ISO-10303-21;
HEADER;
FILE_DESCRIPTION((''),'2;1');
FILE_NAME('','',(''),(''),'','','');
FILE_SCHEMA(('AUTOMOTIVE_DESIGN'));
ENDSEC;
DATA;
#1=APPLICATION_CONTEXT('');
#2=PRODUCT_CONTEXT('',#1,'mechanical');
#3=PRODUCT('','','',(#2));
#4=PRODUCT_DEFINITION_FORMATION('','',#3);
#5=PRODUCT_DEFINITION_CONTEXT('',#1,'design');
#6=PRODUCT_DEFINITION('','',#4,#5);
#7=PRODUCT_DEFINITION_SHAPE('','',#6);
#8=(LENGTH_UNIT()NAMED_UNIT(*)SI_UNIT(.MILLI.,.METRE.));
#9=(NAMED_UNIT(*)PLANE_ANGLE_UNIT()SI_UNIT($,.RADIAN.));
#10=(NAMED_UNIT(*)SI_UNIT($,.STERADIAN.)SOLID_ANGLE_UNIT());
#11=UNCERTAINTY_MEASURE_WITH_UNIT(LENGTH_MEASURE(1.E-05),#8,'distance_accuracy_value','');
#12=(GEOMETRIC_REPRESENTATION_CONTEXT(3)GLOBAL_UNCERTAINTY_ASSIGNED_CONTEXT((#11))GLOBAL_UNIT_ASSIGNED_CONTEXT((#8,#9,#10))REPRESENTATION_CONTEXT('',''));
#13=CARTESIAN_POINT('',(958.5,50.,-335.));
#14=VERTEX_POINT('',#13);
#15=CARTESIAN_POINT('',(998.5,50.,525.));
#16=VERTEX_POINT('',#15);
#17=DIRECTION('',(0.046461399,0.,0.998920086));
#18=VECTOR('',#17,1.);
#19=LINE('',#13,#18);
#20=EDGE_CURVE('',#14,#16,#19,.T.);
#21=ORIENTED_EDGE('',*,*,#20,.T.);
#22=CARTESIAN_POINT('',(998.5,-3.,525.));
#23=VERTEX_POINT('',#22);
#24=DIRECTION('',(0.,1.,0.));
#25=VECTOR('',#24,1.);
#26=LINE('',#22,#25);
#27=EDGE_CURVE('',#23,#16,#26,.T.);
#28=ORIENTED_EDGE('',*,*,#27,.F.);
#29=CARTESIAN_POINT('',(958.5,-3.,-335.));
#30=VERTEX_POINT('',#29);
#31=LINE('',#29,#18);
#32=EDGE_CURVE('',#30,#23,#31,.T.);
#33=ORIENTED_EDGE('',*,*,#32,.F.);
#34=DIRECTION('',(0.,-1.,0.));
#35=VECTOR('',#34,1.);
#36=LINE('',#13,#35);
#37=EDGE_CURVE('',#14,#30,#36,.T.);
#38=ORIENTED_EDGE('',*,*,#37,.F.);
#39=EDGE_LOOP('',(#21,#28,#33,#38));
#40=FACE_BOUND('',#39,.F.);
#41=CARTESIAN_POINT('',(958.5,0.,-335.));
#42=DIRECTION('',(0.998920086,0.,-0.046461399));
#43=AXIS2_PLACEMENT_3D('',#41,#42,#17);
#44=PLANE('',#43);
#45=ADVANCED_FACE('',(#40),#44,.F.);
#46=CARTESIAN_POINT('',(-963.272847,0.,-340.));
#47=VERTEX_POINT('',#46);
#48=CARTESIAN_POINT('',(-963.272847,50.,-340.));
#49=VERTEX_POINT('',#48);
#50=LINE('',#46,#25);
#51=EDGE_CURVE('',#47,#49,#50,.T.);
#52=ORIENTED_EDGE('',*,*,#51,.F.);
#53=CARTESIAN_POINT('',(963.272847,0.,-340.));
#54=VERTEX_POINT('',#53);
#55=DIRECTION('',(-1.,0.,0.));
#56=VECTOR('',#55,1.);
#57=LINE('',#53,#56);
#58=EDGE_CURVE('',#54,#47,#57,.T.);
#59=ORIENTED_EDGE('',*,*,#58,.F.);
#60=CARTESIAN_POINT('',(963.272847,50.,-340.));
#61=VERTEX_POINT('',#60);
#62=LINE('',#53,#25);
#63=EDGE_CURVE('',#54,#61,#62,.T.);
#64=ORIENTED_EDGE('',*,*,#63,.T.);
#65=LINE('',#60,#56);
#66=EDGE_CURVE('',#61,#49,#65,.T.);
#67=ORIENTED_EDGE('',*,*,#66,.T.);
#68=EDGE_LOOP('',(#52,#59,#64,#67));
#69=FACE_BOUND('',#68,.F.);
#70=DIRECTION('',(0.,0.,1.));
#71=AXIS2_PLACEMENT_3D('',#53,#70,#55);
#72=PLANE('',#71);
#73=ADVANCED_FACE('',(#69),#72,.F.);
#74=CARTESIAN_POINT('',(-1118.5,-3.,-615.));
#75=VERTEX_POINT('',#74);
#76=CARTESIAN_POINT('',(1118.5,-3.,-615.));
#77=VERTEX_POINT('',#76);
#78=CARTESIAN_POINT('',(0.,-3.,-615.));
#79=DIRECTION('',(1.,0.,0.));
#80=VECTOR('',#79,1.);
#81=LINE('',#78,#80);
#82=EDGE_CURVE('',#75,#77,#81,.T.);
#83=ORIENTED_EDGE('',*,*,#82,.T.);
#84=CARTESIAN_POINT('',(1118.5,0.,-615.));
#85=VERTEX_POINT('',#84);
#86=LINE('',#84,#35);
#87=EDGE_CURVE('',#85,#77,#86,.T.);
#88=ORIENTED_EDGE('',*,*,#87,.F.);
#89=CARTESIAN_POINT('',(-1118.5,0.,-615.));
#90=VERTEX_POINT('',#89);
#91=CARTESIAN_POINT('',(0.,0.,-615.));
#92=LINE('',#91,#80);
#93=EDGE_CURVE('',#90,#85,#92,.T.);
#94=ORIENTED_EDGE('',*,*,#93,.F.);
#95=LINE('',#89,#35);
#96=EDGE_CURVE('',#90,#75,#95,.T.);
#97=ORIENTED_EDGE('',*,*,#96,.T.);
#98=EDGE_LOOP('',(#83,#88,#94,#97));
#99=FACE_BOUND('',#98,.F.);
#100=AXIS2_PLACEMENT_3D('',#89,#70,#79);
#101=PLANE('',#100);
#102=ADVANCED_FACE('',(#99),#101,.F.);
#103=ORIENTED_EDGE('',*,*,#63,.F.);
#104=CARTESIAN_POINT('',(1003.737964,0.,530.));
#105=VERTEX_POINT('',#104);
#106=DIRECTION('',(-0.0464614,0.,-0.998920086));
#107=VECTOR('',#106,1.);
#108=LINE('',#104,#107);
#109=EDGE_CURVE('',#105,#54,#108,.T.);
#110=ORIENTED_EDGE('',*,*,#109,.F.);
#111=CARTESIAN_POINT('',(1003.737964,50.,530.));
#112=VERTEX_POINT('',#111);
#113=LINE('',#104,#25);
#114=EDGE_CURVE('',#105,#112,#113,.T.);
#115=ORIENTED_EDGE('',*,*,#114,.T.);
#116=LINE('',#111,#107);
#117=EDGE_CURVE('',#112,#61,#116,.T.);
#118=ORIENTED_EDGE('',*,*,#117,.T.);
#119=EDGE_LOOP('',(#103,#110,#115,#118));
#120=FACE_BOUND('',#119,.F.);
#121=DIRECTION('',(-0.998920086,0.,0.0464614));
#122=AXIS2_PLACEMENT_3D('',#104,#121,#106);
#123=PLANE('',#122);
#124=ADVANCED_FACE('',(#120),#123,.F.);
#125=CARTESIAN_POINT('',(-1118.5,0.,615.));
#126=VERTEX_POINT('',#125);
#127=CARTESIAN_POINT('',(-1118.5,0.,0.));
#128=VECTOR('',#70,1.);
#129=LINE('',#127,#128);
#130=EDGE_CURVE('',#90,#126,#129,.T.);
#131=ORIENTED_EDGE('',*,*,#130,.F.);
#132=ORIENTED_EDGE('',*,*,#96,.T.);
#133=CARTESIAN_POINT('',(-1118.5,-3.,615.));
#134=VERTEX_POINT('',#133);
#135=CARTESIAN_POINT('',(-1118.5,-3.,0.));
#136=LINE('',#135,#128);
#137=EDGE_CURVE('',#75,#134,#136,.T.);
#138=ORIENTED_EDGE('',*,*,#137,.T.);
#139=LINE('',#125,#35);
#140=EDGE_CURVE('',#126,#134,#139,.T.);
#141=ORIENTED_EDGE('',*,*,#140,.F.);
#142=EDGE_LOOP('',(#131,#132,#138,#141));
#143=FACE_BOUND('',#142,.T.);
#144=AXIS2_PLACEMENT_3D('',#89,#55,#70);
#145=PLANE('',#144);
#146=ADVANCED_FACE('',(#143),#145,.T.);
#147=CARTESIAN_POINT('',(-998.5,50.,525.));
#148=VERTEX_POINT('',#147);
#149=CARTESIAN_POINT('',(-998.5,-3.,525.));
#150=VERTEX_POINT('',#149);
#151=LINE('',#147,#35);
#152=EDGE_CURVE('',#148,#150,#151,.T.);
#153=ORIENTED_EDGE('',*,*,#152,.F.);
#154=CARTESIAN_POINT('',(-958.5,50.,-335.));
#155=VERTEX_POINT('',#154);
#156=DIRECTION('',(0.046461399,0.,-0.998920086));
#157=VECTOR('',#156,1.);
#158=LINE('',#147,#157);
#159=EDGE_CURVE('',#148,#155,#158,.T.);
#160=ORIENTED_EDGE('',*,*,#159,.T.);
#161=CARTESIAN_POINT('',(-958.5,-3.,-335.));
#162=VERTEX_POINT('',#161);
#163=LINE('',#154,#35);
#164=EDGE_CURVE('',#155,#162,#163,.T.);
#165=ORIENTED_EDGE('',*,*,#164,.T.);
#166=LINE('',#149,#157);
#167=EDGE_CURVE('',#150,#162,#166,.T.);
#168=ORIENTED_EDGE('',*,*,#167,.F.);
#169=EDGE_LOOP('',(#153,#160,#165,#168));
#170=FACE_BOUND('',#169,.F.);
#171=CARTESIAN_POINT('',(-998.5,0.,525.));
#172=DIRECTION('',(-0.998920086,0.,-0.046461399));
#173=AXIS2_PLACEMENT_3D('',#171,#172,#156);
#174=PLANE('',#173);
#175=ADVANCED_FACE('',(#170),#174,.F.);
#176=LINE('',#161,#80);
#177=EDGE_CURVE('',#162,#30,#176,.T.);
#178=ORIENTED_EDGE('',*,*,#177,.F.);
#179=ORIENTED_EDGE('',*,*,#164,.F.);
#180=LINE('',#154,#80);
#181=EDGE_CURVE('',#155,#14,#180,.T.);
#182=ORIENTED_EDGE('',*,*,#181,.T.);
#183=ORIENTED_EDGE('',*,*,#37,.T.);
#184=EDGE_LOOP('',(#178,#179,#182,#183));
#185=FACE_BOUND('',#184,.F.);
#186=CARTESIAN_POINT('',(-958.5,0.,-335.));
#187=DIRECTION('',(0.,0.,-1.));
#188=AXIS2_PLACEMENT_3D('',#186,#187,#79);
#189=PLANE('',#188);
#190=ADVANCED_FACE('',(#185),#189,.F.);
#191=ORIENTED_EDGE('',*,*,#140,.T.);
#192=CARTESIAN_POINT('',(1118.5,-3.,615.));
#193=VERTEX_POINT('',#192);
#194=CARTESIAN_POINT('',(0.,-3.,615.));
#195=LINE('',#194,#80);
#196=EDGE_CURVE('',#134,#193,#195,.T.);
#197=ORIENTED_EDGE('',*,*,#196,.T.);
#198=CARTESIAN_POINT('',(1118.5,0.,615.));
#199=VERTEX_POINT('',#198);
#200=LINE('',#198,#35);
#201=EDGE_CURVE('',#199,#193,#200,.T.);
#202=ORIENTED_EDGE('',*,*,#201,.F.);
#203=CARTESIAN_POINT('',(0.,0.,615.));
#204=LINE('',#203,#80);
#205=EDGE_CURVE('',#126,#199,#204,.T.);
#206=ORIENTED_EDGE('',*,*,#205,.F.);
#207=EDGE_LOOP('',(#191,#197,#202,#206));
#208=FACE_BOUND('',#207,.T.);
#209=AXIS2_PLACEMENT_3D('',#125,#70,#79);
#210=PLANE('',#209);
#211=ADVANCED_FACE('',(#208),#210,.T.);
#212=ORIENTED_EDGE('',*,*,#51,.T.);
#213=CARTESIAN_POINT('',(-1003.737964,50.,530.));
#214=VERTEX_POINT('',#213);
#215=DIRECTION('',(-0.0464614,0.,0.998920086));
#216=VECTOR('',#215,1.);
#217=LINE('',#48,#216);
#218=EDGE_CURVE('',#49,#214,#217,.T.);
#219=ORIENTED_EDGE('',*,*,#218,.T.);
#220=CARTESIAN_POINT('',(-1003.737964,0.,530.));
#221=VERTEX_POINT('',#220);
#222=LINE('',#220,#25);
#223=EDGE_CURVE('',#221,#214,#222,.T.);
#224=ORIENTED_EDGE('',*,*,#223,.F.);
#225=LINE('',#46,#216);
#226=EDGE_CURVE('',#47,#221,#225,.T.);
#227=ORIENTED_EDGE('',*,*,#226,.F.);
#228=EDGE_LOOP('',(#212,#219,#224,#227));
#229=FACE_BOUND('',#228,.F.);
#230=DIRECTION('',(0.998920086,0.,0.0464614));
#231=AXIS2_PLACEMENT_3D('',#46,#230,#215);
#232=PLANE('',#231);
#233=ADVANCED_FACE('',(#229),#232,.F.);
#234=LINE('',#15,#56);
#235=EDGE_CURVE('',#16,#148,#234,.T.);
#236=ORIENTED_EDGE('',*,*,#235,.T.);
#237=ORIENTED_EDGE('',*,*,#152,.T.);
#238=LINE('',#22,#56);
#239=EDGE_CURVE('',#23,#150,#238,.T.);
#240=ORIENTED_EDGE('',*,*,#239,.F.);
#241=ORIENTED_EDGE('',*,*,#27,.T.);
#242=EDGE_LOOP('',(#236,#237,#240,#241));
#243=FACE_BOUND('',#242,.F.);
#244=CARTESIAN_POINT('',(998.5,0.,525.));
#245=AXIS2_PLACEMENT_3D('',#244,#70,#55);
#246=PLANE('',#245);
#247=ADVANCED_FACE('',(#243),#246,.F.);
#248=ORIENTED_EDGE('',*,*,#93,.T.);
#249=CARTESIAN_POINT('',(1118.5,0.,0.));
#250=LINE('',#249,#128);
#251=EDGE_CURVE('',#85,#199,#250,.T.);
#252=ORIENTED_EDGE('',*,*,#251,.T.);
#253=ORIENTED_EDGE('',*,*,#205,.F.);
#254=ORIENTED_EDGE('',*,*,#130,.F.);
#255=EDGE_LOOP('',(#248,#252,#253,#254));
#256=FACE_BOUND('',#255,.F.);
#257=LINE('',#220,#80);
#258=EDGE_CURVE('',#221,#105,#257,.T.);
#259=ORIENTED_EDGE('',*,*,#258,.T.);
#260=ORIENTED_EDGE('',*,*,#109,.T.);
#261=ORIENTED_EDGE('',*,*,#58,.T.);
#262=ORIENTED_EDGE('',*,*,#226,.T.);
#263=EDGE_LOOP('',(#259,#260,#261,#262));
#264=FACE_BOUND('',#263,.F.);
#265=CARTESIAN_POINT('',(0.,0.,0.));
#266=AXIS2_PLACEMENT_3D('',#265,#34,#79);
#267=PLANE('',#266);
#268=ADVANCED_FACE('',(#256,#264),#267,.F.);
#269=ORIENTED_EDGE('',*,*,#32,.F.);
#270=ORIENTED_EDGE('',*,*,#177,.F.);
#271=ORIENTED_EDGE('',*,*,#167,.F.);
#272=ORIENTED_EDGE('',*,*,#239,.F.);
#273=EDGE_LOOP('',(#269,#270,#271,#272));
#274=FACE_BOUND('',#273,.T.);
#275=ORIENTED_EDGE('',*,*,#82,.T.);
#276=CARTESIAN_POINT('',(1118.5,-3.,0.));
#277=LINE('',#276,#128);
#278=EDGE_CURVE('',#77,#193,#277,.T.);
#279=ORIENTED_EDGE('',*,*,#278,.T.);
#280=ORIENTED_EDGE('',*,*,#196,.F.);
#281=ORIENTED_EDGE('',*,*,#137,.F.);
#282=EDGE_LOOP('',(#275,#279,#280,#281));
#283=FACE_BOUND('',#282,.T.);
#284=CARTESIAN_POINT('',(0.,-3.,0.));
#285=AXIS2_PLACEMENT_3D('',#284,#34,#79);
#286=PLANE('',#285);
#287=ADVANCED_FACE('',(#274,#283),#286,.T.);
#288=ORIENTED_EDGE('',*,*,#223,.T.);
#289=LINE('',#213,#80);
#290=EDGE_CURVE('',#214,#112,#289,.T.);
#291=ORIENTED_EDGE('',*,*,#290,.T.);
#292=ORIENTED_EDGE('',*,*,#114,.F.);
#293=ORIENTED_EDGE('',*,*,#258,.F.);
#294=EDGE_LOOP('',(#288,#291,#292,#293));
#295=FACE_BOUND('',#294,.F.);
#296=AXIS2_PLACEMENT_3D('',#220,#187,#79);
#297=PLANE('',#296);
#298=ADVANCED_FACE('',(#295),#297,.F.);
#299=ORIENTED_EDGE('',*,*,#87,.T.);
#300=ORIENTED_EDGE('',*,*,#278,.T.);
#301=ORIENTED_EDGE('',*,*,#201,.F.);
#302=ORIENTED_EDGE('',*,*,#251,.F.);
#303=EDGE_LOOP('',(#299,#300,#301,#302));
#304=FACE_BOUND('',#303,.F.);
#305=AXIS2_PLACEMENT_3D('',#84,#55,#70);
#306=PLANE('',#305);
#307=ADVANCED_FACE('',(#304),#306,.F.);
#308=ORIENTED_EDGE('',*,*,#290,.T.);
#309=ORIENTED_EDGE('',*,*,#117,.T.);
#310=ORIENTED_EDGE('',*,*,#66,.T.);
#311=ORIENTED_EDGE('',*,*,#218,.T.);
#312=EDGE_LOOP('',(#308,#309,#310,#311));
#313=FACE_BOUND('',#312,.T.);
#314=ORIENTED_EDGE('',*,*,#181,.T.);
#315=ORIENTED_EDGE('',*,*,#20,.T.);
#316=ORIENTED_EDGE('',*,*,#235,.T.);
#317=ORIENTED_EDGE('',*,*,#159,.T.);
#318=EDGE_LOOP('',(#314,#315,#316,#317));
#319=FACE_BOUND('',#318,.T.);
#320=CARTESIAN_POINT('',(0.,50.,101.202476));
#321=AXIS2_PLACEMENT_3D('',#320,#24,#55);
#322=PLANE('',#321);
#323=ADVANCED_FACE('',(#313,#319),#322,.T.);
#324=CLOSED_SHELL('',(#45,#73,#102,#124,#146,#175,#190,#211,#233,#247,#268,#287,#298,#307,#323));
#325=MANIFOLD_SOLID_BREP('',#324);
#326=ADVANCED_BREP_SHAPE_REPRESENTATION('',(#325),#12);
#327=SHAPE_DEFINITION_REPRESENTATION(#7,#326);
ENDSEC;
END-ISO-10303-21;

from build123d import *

# Parameters (mm, degrees)
F0_W     = 2237
F0_H     = 1230
F1_DEPTH = 3
F3_DEPTH = 3.001
F5_DEPTH = 50


with BuildPart() as f1:
    # F0 (on Front) → F1 (new body)
    with BuildSketch(Plane.XZ):
        Rectangle(F0_W, F0_H)
    extrude(amount=F1_DEPTH)

    # F2 (on face) → F3 (cut, through all)
    with BuildSketch(Plane.XZ.offset(3)):
        Polygon((958.5, -335), (998.5, 525), (-998.5, 525), (-958.5, -335), (0, -335), align=None)
    extrude(amount=-F3_DEPTH, mode=Mode.SUBTRACT)

    # F4 (on face) → F5 (join)
    with BuildSketch(Plane(origin=(0, 0, 0), x_dir=(-1, 0, 0), z_dir=(0, 1, 0))):
        Polygon((1003.737964, 530), (-1003.737964, 530), (-963.272847, -340), (963.272847, -340), align=None)
        Polygon((-998.5, 525), (998.5, 525), (958.5, -335), (-958.5, -335), align=None, mode=Mode.SUBTRACT)
    extrude(amount=F5_DEPTH)


solid = f1.part
